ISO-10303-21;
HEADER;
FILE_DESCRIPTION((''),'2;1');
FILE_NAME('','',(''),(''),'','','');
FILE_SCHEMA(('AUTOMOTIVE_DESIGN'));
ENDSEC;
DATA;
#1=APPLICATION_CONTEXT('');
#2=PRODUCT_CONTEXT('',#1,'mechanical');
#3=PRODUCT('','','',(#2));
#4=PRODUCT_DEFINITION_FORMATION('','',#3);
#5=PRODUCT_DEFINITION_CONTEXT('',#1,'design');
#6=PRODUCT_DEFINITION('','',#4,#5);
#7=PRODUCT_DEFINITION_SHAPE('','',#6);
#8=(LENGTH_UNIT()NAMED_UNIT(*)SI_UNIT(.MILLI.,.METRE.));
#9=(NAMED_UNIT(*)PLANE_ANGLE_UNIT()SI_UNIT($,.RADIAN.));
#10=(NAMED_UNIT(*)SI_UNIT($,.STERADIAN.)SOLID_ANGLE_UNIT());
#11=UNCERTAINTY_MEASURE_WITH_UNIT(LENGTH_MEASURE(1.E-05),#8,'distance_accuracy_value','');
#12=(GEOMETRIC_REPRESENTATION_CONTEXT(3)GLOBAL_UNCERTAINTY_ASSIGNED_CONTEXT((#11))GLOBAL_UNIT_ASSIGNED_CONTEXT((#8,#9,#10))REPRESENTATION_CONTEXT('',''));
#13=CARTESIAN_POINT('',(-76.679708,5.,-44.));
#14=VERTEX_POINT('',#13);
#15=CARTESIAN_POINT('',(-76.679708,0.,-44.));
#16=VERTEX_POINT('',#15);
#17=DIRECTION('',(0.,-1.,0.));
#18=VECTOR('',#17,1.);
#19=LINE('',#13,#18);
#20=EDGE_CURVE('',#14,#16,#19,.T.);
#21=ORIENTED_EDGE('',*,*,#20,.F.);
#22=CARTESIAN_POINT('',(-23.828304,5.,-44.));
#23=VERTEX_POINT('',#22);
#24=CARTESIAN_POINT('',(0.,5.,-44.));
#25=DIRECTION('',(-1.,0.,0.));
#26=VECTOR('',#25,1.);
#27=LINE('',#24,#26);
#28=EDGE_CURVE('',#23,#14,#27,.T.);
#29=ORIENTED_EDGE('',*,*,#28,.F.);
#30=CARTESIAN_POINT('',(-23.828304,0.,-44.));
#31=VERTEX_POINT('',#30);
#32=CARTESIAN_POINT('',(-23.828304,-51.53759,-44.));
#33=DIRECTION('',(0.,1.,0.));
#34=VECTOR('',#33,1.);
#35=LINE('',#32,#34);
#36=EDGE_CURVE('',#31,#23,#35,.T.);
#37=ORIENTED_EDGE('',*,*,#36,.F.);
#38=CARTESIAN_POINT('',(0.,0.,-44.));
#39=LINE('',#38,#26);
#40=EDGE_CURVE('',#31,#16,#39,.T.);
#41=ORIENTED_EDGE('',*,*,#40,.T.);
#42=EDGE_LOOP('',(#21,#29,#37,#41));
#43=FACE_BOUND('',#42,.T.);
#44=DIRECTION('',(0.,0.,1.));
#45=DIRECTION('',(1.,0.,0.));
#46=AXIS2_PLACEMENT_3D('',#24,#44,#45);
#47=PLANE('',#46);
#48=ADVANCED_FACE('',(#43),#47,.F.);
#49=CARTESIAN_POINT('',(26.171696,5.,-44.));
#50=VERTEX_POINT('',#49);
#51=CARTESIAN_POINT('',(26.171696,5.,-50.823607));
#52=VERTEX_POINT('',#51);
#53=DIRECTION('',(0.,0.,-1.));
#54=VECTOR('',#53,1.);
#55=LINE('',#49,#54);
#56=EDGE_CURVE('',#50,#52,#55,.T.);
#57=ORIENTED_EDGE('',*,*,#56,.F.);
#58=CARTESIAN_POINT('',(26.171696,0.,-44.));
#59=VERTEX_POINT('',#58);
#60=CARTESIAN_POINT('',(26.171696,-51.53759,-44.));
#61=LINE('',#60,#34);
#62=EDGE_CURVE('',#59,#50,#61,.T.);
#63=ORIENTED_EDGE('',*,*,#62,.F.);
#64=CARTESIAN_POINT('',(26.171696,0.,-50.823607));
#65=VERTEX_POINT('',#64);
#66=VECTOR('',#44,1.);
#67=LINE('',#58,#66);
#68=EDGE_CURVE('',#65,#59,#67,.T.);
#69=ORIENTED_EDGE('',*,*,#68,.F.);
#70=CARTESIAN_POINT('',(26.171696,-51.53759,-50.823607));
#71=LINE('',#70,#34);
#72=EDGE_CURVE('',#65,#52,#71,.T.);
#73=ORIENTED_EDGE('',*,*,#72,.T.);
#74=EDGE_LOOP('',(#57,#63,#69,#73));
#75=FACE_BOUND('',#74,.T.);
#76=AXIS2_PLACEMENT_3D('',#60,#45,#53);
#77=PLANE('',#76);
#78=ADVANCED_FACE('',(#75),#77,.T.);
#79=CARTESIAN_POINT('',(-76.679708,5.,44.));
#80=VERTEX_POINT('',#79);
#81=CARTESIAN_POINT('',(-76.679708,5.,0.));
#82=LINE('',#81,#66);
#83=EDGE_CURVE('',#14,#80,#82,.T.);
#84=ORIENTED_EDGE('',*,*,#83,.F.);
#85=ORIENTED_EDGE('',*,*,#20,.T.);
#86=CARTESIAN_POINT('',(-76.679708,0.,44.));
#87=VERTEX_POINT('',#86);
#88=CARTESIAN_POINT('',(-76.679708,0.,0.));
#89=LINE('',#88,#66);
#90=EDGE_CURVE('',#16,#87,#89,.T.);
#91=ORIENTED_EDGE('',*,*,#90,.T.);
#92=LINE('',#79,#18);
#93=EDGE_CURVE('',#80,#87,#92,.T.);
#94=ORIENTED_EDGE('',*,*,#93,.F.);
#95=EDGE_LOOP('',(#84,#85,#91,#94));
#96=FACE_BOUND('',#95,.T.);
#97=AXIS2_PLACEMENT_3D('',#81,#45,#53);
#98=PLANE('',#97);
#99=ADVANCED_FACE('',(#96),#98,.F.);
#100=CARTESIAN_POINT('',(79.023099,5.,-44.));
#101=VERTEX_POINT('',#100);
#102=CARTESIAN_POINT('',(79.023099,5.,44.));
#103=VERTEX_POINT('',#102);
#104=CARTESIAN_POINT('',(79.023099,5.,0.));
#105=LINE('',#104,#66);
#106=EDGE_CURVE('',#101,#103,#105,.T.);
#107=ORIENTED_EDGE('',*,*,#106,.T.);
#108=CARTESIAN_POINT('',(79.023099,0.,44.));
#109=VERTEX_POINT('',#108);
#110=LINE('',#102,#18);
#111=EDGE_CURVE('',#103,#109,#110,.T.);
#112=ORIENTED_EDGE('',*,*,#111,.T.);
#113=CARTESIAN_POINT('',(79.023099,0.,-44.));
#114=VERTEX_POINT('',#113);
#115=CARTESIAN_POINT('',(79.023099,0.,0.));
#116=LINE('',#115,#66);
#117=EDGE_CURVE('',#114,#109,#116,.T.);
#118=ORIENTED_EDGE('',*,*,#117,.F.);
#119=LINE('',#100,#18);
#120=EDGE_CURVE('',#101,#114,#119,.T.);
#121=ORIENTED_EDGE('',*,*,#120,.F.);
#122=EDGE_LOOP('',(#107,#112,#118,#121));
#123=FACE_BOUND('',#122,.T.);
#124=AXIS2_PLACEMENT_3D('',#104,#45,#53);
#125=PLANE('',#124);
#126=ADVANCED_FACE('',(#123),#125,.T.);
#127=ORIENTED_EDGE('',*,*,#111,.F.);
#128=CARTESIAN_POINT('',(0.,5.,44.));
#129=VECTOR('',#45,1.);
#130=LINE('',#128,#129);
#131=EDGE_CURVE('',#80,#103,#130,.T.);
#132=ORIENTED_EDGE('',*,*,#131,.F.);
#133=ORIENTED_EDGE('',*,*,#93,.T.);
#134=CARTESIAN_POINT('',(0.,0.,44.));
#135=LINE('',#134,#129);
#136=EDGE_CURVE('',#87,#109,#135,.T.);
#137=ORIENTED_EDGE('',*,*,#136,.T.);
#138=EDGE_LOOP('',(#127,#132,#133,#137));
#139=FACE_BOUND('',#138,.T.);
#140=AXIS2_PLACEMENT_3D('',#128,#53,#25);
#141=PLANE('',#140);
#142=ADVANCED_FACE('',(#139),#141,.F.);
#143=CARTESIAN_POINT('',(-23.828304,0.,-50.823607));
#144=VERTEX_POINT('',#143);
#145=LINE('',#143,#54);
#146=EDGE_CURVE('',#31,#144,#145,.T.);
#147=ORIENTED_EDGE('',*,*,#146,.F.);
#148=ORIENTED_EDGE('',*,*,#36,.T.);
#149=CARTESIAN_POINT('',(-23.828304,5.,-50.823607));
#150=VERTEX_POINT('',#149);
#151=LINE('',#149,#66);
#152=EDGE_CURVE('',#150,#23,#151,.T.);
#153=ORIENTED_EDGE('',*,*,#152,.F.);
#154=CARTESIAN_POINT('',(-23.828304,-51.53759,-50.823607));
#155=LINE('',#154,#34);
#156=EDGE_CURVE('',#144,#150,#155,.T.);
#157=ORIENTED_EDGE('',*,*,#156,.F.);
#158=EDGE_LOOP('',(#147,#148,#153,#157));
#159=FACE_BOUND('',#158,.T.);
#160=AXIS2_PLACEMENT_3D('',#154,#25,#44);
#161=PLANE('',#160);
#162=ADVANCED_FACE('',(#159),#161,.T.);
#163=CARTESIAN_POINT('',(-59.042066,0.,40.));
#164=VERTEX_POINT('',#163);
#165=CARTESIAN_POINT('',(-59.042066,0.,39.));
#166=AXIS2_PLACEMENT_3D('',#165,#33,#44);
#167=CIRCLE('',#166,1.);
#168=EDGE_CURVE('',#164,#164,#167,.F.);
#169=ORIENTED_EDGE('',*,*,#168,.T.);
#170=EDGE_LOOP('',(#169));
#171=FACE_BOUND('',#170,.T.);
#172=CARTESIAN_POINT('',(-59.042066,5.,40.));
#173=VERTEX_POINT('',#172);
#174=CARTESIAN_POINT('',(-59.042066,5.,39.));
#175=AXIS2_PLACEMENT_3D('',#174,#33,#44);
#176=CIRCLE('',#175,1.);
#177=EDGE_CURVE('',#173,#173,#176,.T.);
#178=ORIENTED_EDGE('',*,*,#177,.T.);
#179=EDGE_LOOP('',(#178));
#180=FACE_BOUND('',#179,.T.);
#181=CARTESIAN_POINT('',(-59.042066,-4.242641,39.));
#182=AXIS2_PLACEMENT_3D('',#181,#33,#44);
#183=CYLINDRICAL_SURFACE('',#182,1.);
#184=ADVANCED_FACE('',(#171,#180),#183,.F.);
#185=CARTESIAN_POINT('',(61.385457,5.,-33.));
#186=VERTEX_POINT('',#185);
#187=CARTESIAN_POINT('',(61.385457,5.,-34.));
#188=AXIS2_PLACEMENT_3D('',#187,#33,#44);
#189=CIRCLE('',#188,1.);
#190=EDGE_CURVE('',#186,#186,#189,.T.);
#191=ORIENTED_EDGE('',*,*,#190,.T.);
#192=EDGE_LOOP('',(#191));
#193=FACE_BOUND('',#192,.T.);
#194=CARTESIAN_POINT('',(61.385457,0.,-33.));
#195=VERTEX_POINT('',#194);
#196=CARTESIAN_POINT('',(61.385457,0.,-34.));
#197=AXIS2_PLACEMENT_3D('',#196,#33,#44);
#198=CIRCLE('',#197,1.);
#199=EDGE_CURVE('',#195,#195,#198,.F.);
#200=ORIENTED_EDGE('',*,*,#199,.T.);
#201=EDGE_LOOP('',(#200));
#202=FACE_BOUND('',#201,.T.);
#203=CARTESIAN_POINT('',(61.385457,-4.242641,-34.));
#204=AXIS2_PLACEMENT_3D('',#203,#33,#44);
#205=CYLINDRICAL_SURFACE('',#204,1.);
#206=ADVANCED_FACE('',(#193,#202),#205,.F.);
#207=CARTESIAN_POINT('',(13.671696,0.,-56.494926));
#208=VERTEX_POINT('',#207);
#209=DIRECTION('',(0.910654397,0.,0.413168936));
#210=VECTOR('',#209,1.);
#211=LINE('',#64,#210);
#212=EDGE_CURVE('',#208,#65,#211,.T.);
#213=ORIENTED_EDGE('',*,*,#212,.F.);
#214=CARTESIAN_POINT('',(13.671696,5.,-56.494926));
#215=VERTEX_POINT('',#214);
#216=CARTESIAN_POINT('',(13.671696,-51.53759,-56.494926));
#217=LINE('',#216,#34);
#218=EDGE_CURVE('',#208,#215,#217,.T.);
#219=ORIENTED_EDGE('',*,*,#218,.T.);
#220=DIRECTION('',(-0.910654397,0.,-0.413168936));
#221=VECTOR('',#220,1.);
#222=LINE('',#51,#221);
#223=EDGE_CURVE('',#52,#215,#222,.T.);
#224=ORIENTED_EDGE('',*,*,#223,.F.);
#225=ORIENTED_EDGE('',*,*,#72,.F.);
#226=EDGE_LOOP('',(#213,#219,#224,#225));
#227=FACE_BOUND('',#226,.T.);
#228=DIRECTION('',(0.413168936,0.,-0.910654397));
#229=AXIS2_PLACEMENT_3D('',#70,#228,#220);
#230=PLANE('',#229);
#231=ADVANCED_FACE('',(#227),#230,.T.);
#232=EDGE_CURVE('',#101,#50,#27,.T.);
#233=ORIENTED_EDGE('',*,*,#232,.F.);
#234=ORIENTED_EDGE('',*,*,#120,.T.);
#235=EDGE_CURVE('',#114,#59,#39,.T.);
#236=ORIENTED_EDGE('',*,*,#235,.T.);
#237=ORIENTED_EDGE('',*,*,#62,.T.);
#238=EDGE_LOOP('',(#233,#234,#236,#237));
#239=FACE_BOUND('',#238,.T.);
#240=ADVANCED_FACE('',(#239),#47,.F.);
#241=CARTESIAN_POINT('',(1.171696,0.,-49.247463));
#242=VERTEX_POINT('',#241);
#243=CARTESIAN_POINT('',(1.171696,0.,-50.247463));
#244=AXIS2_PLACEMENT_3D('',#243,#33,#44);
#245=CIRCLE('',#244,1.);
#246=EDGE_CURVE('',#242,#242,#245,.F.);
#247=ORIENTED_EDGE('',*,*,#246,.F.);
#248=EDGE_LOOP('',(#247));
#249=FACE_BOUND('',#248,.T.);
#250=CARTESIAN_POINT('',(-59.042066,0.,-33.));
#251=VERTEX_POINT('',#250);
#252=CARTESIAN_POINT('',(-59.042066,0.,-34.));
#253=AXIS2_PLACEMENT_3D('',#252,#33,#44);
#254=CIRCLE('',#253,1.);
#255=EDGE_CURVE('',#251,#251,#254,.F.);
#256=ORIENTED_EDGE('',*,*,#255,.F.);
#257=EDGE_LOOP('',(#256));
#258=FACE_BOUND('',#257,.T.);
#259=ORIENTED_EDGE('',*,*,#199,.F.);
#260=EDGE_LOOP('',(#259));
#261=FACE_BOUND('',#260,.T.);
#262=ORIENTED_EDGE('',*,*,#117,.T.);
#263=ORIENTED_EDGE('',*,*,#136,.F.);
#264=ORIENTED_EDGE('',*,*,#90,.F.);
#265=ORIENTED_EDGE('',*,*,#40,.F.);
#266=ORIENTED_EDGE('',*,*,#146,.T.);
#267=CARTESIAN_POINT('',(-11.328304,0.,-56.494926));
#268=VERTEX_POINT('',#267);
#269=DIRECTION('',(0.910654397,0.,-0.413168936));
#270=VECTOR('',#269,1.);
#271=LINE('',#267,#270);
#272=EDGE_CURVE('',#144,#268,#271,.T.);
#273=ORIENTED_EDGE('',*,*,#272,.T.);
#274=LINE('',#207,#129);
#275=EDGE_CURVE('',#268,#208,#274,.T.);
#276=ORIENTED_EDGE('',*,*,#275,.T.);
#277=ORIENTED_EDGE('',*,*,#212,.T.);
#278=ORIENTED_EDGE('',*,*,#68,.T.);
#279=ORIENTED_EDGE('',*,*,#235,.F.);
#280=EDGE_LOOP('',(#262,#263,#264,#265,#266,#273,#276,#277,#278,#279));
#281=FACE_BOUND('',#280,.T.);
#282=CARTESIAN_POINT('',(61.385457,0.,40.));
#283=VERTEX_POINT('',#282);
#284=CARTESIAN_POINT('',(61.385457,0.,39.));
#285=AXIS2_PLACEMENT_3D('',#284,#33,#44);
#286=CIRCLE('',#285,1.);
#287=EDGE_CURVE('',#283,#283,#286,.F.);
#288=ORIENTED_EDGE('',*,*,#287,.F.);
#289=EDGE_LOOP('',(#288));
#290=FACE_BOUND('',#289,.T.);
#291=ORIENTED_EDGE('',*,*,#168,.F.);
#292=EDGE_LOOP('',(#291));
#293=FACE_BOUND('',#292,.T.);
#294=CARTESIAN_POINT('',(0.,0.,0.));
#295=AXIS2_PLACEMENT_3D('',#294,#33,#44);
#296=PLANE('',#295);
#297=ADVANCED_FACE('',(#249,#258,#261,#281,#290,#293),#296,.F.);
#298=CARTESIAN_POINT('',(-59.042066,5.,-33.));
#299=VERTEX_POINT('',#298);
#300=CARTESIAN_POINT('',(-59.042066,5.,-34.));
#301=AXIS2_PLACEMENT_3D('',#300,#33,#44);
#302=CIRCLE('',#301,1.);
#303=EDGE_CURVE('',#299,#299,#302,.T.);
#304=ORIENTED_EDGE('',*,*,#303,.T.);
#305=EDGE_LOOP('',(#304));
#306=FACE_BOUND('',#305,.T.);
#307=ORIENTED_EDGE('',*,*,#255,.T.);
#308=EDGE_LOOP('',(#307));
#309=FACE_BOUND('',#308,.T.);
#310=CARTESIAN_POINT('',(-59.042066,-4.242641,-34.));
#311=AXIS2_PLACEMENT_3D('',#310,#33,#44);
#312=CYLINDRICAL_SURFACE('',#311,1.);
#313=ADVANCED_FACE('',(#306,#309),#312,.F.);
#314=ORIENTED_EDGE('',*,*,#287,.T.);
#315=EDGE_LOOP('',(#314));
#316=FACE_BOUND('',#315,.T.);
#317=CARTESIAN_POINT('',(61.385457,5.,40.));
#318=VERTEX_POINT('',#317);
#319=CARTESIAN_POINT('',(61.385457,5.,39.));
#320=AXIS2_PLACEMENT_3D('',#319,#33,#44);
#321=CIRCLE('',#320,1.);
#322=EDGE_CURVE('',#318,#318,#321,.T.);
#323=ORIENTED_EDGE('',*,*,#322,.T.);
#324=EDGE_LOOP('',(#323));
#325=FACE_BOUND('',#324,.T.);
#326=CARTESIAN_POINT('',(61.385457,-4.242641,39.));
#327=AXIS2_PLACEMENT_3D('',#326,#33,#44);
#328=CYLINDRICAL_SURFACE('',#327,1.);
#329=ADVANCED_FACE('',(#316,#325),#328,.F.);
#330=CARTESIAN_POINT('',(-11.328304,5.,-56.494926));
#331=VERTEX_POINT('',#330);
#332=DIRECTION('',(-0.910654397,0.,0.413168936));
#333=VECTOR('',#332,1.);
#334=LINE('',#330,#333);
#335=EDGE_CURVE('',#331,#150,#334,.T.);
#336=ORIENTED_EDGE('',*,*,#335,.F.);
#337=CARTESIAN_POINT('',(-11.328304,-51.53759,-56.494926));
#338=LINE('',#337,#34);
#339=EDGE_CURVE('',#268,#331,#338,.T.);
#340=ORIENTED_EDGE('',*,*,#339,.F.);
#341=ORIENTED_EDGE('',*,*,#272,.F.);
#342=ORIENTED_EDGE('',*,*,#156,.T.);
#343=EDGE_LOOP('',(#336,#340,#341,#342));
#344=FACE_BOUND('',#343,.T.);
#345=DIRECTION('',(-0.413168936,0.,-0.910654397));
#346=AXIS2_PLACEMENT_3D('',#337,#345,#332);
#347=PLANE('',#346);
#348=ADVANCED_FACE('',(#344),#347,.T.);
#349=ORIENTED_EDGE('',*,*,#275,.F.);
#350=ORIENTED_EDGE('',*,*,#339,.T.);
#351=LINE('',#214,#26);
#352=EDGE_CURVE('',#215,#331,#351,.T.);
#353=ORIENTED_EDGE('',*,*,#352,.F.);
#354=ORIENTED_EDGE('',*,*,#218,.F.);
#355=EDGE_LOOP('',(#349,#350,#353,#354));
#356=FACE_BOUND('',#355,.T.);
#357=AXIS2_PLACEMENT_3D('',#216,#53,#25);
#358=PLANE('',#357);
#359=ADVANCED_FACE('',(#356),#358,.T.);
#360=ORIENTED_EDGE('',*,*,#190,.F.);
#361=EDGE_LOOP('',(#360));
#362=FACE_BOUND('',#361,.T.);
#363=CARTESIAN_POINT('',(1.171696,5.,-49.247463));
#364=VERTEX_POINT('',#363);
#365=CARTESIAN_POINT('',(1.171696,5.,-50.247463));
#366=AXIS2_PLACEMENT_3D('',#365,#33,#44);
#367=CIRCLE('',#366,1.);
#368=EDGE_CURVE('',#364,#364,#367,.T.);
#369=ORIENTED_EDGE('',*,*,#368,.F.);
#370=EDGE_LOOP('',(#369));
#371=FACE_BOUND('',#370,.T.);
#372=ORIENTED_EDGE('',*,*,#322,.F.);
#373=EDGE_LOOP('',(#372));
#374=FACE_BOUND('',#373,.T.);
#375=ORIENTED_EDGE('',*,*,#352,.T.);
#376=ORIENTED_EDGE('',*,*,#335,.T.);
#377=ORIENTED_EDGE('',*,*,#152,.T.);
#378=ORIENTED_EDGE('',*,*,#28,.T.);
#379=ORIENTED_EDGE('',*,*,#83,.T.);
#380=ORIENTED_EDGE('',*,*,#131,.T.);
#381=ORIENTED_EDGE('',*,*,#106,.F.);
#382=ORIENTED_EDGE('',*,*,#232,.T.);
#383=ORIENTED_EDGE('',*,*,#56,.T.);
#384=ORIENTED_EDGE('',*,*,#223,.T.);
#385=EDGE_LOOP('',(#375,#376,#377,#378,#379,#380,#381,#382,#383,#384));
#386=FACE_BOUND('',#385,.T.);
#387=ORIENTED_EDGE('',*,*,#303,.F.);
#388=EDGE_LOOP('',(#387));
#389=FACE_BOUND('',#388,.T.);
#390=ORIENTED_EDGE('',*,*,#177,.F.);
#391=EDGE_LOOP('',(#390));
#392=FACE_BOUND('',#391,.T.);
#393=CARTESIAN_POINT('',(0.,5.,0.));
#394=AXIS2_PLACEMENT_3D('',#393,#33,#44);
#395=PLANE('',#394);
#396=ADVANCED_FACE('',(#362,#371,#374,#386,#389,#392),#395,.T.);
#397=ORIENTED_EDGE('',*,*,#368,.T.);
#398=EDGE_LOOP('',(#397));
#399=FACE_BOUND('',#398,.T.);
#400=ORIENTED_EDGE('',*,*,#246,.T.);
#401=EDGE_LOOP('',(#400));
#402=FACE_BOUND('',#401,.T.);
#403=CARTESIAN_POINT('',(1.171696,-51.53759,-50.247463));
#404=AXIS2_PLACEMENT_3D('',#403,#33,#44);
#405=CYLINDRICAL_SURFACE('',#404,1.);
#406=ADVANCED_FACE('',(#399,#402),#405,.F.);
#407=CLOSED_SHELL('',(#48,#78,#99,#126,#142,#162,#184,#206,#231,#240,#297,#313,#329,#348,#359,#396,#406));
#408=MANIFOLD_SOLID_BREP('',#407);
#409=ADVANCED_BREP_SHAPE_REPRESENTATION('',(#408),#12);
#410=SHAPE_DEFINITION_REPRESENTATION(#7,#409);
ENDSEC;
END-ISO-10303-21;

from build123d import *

# Parameters (mm, degrees)
SKETCH1_W           = 155.702807198
SKETCH1_H           = 58
SKETCH1_R           = 1.5
BOSS_EXTRUDE2_DEPTH = 5
SKETCH2_R           = 1
BOSS_EXTRUDE3_DEPTH = 5
SKETCH3_R           = 1.5
SKETCH3_R_2         = 1
BOSS_EXTRUDE4_DEPTH = 5


with BuildPart() as part:
    # Sketch1 → Boss-Extrude2 (new body)
    with BuildSketch(Plane(origin=(0, 0, 0), x_dir=(1, 0, 0), z_dir=(0, 1, 0))):
        with Locations((1.171695753, -5)):
            Rectangle(SKETCH1_W, SKETCH1_H)
        Polygon((-76.679707846, 44), (-76.679707846, 24), (79.023099352, 24), (79.023099352, 44), (62.885457038, 44), (59.885457038, 44), (-57.542065533, 44), (-60.542065533, 44), align=None)
        with Locations((-59.042065533, 34)):
            Circle(SKETCH1_R, mode=Mode.SUBTRACT)
        with Locations((61.385457038, 34)):
            Circle(SKETCH1_R, mode=Mode.SUBTRACT)
        Polygon((-76.679707846, -44), (-60.542065533, -44), (-57.542065533, -44), (59.885457038, -44), (62.885457038, -44), (79.023099352, -44), (79.023099352, -34), (-76.679707846, -34), align=None)
        with Locations((-59.042065533, -39)):
            Circle(SKETCH1_R, mode=Mode.SUBTRACT)
        with Locations((61.385457038, -39)):
            Circle(SKETCH1_R, mode=Mode.SUBTRACT)
    extrude(amount=BOSS_EXTRUDE2_DEPTH)

    # Sketch2 → Boss-Extrude3 (add)
    with BuildSketch(Plane(origin=(0, 5, 0), x_dir=(1, 0, 0), z_dir=(0, 1, 0))):
        Polygon((-23.828304247, 44), (26.171695753, 44), (26.171695753, 50.823606938), (13.671695753, 56.49492606), (-11.328304247, 56.49492606), (-23.828304247, 50.823606938), align=None)
        with Locations((1.171695753, 50.24746303)):
            Circle(SKETCH2_R, mode=Mode.SUBTRACT)
    extrude(amount=-BOSS_EXTRUDE3_DEPTH)

    # Sketch3 → Boss-Extrude4 (add)
    with BuildSketch(Plane(origin=(0, 5, 0), x_dir=(1, 0, 0), z_dir=(0, 1, 0))):
        with Locations((61.385457038, 34)):
            Circle(SKETCH3_R)
        with Locations((61.385457038, 34)):
            Circle(SKETCH3_R_2, mode=Mode.SUBTRACT)
        with Locations((61.385457038, -39)):
            Circle(SKETCH3_R)
        with Locations((61.385457038, -39)):
            Circle(SKETCH3_R_2, mode=Mode.SUBTRACT)
        with Locations((-59.042065533, -39)):
            Circle(SKETCH3_R)
        with Locations((-59.042065533, -39)):
            Circle(SKETCH3_R_2, mode=Mode.SUBTRACT)
        with Locations((-59.042065533, 34)):
            Circle(SKETCH3_R)
        with Locations((-59.042065533, 34)):
            Circle(SKETCH3_R_2, mode=Mode.SUBTRACT)
    extrude(amount=-BOSS_EXTRUDE4_DEPTH)


solid = part.part
